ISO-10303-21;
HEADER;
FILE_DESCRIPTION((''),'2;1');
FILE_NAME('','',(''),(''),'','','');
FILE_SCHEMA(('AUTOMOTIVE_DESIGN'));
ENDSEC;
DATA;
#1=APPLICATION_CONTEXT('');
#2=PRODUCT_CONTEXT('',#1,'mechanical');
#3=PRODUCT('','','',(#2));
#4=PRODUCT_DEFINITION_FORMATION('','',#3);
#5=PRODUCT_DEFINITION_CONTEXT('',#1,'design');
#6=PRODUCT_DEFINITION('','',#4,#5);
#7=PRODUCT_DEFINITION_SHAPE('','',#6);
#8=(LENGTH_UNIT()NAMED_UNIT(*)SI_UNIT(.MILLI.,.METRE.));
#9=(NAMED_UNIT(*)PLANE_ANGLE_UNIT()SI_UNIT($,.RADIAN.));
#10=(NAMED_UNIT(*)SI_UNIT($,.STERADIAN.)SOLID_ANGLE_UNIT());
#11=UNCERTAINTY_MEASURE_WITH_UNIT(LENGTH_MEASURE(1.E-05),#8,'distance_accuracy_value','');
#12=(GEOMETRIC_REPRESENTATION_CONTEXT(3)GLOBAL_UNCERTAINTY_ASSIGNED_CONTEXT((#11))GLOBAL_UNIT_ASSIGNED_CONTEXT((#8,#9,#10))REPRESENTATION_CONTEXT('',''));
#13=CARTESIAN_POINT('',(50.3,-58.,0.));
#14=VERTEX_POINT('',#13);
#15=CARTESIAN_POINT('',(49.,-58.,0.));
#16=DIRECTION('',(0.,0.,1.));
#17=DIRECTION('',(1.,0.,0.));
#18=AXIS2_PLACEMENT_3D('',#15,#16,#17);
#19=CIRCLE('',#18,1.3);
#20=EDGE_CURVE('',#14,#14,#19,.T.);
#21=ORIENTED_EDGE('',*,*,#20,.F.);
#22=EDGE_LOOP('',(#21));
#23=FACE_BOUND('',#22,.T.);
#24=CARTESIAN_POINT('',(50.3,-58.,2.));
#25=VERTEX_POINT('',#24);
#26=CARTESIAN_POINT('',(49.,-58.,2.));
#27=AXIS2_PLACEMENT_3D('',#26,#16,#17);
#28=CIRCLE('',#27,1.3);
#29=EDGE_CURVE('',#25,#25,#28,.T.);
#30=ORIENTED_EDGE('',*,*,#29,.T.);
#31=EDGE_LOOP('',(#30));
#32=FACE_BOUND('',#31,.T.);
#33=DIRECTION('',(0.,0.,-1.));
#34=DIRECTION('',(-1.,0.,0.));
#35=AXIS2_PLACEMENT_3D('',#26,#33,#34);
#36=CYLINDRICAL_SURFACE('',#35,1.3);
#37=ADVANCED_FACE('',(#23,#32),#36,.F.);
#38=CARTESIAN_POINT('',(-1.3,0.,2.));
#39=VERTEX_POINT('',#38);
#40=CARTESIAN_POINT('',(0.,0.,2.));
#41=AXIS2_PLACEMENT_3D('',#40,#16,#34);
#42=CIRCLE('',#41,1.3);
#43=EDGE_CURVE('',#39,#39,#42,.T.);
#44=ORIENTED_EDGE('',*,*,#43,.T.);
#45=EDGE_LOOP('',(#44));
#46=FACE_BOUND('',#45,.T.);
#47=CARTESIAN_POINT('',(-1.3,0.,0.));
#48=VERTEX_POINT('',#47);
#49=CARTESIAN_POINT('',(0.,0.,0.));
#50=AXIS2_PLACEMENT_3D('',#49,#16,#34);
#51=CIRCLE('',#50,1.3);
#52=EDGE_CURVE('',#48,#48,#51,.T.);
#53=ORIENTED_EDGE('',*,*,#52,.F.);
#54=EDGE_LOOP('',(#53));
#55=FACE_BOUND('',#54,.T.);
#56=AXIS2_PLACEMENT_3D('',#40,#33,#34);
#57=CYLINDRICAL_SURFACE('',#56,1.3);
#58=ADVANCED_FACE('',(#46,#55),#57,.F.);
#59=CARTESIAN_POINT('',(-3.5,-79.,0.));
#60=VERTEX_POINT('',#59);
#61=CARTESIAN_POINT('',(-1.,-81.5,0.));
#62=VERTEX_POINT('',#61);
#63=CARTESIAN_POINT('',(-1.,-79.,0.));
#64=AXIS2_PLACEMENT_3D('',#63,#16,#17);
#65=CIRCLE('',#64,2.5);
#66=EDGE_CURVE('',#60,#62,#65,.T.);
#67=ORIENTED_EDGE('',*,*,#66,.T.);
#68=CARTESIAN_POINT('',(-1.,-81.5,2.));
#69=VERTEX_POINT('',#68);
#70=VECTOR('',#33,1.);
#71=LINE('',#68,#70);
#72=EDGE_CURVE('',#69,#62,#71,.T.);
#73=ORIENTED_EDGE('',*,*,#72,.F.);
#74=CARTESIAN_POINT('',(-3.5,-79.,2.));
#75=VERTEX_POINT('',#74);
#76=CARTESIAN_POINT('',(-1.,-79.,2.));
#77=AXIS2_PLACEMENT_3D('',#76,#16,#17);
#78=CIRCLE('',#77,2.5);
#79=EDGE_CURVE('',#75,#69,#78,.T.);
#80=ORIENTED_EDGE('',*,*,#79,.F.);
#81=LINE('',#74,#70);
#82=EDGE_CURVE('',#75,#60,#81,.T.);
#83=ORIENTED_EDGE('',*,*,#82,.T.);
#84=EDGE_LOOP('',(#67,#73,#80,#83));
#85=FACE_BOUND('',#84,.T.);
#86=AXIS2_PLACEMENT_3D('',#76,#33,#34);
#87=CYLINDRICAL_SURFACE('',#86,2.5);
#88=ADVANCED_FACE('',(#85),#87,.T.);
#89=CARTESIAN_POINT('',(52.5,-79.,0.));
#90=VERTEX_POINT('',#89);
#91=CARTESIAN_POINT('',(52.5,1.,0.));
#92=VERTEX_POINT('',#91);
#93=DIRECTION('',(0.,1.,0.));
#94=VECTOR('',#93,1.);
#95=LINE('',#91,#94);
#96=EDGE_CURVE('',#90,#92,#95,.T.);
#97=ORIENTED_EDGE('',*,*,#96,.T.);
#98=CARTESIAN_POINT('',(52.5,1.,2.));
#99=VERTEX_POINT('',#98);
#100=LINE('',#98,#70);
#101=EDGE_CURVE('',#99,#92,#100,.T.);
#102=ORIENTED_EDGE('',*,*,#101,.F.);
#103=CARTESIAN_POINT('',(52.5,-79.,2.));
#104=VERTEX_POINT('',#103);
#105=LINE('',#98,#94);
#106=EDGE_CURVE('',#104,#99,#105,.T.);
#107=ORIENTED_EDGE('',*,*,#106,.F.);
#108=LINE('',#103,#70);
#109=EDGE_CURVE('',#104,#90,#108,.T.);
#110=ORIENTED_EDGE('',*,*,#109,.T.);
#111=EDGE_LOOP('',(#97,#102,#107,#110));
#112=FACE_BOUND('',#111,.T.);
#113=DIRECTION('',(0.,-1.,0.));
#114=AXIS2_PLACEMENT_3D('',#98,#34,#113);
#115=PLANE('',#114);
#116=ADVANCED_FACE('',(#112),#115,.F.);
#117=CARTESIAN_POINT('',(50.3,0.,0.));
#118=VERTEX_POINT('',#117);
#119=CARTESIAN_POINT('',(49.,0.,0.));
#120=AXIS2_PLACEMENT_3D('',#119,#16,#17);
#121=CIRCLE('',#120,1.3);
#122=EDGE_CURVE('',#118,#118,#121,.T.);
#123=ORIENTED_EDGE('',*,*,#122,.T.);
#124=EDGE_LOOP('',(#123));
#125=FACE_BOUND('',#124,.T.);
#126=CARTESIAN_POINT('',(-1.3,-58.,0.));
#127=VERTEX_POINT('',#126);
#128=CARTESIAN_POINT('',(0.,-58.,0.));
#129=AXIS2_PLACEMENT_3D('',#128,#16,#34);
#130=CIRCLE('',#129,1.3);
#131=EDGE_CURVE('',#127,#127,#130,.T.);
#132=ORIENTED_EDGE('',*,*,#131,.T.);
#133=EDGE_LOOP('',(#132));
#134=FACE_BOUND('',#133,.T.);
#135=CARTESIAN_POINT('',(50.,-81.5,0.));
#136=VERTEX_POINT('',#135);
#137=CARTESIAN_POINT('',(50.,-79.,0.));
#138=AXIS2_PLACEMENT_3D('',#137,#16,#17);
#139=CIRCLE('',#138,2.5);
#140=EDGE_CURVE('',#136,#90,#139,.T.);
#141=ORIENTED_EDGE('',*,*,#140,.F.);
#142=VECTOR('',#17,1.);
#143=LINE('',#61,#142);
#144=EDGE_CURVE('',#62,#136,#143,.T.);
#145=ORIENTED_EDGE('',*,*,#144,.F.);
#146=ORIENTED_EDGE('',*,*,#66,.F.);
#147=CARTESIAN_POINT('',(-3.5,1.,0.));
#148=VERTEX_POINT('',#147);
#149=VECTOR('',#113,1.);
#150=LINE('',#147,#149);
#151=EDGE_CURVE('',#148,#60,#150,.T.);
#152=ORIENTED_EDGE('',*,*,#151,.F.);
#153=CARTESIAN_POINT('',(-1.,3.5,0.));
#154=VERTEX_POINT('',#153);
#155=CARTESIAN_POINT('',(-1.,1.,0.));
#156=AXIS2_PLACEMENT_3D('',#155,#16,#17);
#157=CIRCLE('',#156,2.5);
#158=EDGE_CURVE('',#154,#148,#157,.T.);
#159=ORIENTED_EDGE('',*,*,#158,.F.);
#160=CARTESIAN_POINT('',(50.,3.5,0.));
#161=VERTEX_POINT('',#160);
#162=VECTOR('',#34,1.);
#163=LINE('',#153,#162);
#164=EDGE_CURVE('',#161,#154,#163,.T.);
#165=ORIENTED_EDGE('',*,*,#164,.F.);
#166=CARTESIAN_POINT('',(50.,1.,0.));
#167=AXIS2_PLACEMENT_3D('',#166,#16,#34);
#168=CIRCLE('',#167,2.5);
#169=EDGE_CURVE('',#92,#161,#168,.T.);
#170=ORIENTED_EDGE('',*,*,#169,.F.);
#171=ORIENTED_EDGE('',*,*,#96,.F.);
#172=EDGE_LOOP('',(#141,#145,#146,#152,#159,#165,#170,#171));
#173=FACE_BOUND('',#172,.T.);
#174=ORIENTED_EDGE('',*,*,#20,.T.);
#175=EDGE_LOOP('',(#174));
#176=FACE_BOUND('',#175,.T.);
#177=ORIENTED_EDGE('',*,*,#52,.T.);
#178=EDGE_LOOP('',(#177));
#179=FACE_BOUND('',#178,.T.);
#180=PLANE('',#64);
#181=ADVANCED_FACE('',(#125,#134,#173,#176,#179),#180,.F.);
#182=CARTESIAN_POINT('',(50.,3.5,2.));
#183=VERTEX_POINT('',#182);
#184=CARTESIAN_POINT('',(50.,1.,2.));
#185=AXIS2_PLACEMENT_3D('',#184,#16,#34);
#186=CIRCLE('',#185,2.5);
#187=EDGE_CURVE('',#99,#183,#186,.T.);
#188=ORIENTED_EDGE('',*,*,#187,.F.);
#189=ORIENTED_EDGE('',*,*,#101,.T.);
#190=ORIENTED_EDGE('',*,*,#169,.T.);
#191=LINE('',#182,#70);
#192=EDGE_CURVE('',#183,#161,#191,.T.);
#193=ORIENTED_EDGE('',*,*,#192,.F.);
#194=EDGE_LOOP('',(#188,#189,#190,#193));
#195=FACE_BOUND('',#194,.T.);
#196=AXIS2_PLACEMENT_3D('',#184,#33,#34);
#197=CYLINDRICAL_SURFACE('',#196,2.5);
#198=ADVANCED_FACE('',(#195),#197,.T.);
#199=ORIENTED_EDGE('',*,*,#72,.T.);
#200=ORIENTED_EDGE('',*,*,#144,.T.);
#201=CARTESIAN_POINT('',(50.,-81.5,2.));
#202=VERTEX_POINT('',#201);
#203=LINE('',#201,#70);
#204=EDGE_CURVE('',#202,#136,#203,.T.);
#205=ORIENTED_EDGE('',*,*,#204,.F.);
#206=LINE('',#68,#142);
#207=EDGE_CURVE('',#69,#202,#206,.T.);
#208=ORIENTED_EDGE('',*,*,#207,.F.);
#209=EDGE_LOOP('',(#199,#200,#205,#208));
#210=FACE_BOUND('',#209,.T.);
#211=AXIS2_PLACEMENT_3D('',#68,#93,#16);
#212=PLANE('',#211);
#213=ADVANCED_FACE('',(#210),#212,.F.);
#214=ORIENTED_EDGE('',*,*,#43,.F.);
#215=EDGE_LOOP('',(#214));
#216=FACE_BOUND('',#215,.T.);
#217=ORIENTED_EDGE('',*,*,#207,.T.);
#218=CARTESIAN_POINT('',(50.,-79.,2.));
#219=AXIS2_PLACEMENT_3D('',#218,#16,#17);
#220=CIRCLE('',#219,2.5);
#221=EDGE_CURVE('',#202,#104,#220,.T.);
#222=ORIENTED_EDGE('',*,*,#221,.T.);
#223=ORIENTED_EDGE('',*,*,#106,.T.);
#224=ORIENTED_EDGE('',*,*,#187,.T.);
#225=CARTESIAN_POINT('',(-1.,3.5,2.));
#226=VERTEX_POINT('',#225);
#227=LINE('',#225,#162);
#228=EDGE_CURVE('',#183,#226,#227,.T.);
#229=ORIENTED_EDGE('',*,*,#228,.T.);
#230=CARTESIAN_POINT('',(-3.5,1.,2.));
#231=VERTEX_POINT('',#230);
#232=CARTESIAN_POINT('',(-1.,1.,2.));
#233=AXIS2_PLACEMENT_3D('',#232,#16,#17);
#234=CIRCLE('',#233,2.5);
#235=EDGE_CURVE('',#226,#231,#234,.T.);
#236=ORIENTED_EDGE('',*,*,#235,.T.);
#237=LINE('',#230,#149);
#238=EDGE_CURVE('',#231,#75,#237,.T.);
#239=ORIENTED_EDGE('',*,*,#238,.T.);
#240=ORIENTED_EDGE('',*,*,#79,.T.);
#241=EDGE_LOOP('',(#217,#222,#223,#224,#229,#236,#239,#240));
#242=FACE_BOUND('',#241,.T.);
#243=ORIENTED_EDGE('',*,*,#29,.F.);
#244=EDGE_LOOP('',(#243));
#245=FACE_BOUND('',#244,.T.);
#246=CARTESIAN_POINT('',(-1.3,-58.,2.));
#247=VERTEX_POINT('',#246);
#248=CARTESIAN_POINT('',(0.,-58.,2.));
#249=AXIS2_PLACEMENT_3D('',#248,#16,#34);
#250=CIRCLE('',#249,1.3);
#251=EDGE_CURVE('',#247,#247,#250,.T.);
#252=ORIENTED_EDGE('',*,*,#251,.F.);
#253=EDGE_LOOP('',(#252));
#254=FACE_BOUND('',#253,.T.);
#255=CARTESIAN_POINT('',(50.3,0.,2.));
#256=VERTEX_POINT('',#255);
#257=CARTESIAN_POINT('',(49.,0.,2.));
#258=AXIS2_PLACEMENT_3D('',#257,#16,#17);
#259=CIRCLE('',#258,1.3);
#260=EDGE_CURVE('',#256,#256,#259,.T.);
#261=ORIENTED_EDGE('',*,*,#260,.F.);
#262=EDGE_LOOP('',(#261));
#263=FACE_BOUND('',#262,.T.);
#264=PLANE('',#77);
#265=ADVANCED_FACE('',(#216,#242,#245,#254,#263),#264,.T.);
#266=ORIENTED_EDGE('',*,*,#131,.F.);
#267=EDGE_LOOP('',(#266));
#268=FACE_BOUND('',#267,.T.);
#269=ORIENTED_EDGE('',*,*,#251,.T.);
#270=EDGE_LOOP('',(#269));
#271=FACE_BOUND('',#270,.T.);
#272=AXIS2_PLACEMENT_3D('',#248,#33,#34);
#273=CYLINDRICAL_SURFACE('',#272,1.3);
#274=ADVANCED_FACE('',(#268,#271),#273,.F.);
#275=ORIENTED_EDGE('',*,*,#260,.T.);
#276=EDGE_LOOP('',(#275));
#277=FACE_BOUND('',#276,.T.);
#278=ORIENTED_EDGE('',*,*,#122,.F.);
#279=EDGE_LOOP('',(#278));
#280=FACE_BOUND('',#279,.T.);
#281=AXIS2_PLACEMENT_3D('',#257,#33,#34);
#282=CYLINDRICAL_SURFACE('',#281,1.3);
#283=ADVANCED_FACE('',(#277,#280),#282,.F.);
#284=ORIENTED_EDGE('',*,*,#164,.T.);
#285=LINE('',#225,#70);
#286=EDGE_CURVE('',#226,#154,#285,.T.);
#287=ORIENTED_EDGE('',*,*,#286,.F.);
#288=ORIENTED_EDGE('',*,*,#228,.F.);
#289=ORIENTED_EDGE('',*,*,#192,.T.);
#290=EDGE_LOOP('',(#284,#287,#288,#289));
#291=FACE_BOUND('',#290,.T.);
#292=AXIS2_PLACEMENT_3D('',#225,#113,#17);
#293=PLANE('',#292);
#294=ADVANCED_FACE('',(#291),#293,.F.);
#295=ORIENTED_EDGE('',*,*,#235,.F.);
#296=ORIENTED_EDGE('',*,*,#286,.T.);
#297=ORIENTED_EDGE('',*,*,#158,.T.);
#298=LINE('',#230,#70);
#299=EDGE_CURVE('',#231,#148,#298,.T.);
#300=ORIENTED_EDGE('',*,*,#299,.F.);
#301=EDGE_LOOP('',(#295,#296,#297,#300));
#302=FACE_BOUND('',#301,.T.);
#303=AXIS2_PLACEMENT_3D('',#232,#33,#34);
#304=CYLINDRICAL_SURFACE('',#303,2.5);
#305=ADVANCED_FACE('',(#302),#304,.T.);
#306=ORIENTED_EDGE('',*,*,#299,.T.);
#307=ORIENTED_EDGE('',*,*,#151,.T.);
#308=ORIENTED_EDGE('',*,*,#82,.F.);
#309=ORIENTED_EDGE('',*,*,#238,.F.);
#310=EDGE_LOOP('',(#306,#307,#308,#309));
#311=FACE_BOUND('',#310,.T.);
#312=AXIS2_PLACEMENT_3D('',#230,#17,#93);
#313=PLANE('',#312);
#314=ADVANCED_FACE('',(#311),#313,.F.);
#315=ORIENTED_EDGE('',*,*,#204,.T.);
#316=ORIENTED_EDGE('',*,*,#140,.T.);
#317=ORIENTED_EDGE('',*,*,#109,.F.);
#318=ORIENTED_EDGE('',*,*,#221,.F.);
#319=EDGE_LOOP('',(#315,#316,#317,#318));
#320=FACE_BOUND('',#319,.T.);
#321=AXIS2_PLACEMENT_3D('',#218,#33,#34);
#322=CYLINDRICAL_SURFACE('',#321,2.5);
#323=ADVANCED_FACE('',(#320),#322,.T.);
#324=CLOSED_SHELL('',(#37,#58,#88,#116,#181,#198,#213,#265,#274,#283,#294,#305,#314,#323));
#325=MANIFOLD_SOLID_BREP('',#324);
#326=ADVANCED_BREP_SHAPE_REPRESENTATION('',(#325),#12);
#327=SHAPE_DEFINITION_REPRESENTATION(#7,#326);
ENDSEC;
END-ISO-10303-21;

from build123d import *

# Parameters (mm, degrees)
SKETCH_1_R      = 1.3
EXTRUDE_1_DEPTH = 2


with BuildPart() as part:
    # 草图1 → 凸台-拉伸1 (new body)
    with BuildSketch(Plane.XY):
        with BuildLine():
            Line((-1, 3.5), (50, 3.5))
            ThreePointArc((50, 3.5), (51.767766953, 2.767766953), (52.5, 1))
            Line((52.5, 1), (52.5, -79))
            ThreePointArc((52.5, -79), (51.767766953, -80.767766953), (50, -81.5))
            Line((50, -81.5), (-1, -81.5))
            ThreePointArc((-1, -81.5), (-2.767766953, -80.767766953), (-3.5, -79))
            Line((-3.5, -79), (-3.5, 1))
            ThreePointArc((-3.5, 1), (-2.767766953, 2.767766953), (-1, 3.5))
        make_face()
        with Locations((49, 0)):
            Circle(SKETCH_1_R, mode=Mode.SUBTRACT)
        with Locations((49, -58)):
            Circle(SKETCH_1_R, mode=Mode.SUBTRACT)
        with Locations((0, -58)):
            Circle(SKETCH_1_R, mode=Mode.SUBTRACT)
        Circle(SKETCH_1_R, mode=Mode.SUBTRACT)
    extrude(amount=EXTRUDE_1_DEPTH)


solid = part.part
